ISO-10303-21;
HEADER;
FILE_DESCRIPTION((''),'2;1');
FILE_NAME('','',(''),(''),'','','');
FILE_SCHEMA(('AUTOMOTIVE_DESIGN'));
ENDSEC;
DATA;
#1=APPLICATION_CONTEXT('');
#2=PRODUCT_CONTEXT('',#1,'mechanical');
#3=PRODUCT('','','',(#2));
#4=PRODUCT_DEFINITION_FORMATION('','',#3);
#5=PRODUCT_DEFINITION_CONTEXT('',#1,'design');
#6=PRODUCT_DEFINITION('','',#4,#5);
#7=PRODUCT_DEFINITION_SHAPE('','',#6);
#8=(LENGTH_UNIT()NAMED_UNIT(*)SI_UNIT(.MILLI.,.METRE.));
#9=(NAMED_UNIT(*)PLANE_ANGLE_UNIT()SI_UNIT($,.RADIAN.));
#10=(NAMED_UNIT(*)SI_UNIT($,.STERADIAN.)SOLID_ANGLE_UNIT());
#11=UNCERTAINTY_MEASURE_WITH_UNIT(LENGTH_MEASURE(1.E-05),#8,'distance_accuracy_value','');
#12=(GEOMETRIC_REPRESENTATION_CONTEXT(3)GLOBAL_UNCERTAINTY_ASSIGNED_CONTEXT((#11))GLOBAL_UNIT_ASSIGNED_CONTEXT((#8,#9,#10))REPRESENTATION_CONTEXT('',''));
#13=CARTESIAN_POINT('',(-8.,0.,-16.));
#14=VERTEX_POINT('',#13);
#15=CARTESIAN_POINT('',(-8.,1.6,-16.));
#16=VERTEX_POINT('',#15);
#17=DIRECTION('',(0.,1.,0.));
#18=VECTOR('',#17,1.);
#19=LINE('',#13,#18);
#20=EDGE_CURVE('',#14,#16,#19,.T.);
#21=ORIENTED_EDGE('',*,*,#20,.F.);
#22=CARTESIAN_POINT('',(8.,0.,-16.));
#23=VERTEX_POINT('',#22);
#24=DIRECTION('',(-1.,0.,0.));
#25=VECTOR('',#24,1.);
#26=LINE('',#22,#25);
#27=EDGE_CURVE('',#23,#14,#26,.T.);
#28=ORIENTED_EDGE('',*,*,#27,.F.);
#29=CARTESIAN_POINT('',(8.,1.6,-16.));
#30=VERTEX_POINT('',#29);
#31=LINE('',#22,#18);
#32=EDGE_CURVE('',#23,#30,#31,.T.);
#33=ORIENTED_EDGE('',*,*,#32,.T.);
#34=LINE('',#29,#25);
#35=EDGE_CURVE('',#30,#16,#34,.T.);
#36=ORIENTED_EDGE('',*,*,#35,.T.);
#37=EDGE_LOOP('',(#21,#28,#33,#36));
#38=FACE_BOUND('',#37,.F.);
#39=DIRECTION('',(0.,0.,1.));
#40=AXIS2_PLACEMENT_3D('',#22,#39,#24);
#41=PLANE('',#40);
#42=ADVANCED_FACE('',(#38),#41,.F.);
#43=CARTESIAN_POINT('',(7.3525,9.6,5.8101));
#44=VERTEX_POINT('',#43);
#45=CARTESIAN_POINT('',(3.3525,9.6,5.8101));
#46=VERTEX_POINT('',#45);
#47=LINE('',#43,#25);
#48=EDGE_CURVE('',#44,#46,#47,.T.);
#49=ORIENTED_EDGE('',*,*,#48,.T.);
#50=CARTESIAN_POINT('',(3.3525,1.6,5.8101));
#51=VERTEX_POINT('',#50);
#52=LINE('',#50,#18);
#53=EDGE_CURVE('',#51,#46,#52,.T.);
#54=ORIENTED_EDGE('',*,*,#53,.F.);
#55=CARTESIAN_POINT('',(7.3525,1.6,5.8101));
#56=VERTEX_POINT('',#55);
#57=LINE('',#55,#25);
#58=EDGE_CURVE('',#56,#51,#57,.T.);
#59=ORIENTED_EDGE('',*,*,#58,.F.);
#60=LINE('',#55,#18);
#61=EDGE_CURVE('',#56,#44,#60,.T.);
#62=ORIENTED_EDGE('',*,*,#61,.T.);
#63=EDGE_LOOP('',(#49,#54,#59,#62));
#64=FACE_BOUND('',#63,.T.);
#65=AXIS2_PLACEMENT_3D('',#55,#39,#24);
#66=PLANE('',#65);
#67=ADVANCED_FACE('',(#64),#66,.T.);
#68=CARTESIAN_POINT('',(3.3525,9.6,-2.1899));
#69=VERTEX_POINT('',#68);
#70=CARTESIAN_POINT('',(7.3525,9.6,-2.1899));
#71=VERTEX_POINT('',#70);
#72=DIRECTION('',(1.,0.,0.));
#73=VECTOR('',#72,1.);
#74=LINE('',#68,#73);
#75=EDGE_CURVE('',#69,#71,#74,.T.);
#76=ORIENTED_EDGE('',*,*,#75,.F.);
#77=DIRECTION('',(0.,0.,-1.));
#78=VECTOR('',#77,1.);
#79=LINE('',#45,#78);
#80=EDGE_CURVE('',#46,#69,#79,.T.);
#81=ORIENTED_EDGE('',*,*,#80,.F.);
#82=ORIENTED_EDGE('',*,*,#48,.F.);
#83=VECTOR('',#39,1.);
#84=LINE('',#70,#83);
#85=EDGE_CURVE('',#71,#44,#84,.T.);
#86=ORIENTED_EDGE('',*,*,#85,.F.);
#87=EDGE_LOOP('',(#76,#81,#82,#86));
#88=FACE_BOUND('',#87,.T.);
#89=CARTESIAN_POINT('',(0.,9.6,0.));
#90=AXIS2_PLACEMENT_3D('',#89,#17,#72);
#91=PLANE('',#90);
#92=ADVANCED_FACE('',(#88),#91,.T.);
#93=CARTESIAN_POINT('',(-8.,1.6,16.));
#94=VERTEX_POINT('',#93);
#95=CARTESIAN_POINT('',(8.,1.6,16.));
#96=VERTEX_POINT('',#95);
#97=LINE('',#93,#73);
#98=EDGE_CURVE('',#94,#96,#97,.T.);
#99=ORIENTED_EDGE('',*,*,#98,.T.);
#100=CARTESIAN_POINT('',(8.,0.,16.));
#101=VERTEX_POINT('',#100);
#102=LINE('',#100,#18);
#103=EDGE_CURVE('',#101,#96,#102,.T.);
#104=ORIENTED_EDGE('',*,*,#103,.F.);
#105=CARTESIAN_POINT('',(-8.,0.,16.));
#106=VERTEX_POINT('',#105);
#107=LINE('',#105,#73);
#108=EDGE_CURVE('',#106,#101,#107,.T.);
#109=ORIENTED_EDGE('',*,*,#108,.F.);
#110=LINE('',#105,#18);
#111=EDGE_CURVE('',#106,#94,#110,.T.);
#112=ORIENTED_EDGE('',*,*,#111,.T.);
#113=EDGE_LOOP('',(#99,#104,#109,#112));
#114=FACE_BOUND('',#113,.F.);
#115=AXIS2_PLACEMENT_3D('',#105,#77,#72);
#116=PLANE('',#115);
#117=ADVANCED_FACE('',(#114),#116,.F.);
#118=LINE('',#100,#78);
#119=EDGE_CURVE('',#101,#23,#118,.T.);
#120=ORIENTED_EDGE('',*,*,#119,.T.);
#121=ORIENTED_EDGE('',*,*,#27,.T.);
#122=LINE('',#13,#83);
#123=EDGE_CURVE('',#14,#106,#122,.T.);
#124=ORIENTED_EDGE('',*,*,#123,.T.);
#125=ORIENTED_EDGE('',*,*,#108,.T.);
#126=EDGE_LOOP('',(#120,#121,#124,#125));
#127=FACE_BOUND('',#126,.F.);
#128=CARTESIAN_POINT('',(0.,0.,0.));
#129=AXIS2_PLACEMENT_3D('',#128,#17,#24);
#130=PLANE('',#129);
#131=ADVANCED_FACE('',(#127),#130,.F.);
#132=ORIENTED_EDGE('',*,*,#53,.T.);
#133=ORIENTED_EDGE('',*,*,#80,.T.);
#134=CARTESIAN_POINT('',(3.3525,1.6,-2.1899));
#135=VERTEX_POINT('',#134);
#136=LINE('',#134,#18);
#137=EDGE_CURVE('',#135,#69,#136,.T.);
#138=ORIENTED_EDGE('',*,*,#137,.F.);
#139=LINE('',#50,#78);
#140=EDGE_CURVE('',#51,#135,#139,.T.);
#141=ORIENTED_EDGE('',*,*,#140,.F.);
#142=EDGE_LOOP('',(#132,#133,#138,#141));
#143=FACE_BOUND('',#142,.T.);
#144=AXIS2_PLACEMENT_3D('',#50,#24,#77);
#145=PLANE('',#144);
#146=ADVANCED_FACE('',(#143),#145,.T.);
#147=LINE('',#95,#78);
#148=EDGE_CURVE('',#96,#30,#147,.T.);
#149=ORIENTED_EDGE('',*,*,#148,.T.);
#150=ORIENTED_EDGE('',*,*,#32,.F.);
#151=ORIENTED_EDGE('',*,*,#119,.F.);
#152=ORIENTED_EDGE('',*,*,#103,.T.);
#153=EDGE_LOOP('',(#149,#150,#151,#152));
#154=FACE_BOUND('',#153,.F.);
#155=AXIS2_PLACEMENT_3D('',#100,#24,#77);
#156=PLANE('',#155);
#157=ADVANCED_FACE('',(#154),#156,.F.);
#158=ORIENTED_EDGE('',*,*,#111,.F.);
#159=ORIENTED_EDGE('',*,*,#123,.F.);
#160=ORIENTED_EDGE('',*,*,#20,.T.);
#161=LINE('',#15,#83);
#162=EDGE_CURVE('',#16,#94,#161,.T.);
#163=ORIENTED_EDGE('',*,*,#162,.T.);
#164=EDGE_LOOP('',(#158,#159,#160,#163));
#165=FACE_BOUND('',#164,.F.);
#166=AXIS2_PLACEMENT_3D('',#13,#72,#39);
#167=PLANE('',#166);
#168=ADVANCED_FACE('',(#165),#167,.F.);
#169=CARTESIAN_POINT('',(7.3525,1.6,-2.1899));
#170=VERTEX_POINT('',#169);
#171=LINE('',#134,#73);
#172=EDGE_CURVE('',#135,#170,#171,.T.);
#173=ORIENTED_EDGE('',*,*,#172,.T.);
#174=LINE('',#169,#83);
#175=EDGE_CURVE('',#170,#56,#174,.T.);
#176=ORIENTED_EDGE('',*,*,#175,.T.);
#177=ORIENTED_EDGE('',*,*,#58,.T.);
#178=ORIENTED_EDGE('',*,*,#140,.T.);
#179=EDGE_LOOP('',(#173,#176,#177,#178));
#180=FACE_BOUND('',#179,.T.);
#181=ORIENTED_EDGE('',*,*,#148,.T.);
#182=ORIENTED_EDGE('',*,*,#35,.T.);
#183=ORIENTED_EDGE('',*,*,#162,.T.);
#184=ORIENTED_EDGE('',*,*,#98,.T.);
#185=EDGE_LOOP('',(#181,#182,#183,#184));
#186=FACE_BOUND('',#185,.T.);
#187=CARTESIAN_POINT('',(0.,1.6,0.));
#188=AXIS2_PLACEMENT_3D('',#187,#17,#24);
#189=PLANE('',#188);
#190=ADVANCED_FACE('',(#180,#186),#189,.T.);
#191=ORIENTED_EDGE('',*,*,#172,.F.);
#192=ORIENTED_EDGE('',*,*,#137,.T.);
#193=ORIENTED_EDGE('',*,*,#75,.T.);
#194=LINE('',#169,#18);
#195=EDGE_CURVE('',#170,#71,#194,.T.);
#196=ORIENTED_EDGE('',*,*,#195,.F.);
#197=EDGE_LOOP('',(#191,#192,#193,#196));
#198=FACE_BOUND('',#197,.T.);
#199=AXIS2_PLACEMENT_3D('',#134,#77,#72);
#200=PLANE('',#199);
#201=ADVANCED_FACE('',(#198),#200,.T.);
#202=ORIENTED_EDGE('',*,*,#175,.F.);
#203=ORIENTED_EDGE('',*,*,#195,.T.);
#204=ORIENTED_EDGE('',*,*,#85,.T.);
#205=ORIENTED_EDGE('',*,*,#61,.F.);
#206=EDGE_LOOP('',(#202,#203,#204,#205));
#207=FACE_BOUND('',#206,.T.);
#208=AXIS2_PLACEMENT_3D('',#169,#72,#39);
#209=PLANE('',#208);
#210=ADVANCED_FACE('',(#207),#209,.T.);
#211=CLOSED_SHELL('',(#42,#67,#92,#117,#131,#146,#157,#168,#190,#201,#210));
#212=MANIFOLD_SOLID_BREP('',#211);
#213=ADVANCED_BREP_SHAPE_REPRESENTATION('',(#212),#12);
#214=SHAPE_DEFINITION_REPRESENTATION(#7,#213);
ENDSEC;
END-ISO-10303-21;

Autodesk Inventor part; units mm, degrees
ref_plane "YZ Plane" through (0, 0, 0) normal (1, 0, 0) x (0, 1, 0)
ref_plane "XZ Plane" through (0, 0, 0) normal (0, 1, 0) x (-1, 0, 0)
ref_plane "XY Plane" through (0, 0, 0) normal (0, 0, 1) x (1, 0, 0)
sketch "Sketch1" plane through (0, 0, 0) normal (0, 1, 0) x (-1, 0, 0)
  line L0 (-8, -16) -> (8, -16)
  line L1 (8, -16) -> (8, 16)
  line L2 (8, 16) -> (-8, 16)
  line L3 (-8, 16) -> (-8, -16)
  line L4 (-8, -16) -> (8, 16) construction
  line L5 (8, -16) -> (-8, 16) construction
  point P0 (0, 0)
  dimension "d0" = 16
  dimension "d1" = 32
extrude "Extrusion1" add sketch "Sketch1" along normal blind 1.6
sketch "Sketch2" plane through (0, 1.6, 0) normal (0, 1, 0) x (1, 0, 0)
  line L0 (3.3525, 2.1899) -> (7.3525, 2.1899)
  line L1 (7.3525, 2.1899) -> (7.3525, -5.8101)
  line L2 (7.3525, -5.8101) -> (3.3525, -5.8101)
  line L3 (3.3525, -5.8101) -> (3.3525, 2.1899)
  point P0 (0, 0)
  dimension "d4" = 4
  dimension "d5" = 8
extrude "Extrusion2" add sketch "Sketch2" along normal blind 8
properties part number "boost-converter" material "ABS Plastic"
